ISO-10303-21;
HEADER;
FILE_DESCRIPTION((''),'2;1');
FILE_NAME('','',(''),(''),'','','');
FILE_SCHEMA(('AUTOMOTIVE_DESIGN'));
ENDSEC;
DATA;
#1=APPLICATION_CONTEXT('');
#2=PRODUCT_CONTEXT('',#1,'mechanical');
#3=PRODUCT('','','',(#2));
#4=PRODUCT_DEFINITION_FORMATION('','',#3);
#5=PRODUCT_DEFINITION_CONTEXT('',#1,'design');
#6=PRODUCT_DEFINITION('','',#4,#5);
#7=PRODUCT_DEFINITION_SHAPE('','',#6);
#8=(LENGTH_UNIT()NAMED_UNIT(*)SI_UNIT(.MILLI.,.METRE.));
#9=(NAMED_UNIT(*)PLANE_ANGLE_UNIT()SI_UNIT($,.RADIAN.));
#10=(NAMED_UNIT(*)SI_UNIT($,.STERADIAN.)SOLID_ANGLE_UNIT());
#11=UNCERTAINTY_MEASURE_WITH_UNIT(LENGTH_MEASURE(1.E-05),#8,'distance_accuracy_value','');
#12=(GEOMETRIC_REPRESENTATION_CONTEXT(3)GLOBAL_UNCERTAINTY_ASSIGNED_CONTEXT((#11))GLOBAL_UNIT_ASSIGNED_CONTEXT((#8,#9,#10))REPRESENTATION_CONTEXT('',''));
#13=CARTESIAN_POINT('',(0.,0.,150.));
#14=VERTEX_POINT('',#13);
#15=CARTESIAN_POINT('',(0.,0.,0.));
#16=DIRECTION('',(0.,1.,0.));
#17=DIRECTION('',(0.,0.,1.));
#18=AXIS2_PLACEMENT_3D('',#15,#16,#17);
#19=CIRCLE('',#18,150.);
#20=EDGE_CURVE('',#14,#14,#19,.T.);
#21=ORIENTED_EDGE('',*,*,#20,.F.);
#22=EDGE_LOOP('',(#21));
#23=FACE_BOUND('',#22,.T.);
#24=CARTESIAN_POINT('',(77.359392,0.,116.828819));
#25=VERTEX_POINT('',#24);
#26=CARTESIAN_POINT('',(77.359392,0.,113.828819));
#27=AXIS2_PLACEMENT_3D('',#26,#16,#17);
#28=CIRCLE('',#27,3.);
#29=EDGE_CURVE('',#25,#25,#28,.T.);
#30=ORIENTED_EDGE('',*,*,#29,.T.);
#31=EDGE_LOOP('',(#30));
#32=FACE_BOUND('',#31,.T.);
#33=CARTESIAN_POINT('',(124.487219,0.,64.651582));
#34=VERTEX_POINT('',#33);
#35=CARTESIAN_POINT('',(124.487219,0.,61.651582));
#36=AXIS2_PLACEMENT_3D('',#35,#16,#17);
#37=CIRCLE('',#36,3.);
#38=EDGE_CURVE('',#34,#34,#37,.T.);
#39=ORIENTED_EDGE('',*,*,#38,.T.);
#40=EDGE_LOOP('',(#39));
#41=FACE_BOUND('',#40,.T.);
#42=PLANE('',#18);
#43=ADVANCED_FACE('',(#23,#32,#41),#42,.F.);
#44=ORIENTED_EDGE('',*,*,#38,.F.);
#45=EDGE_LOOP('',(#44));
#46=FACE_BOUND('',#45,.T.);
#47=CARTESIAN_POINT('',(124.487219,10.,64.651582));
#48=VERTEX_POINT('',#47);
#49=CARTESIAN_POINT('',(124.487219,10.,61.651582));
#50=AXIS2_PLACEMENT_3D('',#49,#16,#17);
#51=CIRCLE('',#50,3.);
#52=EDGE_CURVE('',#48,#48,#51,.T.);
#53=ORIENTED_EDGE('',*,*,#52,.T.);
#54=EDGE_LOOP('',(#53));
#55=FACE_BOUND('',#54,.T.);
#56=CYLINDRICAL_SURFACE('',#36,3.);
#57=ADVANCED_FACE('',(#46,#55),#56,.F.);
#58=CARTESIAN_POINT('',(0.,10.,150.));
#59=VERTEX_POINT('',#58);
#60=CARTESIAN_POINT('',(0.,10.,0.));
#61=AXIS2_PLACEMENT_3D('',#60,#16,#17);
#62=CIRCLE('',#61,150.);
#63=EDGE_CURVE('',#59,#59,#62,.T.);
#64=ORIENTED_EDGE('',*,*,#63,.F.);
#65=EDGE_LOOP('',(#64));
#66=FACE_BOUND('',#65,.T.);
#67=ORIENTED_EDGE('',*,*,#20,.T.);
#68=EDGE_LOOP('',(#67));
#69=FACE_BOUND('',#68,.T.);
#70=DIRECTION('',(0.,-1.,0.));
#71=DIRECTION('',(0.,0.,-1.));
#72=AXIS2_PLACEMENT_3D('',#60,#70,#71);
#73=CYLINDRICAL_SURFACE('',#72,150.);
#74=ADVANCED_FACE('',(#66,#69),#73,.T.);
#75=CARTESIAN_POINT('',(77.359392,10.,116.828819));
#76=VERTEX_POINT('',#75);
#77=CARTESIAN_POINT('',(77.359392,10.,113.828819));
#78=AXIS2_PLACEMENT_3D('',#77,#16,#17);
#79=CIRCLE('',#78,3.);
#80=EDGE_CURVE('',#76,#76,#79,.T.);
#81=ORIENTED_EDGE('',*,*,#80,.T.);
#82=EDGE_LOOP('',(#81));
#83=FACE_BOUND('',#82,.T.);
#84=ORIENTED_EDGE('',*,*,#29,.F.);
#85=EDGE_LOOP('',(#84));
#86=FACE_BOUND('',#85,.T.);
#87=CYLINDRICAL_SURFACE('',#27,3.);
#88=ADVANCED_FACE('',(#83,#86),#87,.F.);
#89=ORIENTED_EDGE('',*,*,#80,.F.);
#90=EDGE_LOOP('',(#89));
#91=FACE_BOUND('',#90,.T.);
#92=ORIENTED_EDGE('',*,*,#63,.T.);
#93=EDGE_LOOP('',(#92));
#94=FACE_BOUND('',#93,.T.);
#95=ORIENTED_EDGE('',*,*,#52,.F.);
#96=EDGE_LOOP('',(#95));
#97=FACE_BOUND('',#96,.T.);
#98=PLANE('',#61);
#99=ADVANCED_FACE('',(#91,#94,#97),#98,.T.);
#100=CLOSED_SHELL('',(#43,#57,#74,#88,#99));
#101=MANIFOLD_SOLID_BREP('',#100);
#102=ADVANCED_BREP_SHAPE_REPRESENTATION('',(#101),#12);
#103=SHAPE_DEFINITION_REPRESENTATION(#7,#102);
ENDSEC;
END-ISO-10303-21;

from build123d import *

# Parameters (mm, degrees)
SKETCH1_R           = 150
BOSS_EXTRUDE1_DEPTH = 10
SKETCH5_R           = 3
CUT_EXTRUDE1_DEPTH  = 213.367605816


with BuildPart() as part:
    # Sketch1 → Boss-Extrude1 (new body)
    with BuildSketch(Plane(origin=(0, 0, 0), x_dir=(1, 0, 0), z_dir=(0, 1, 0))):
        with Locations(Location((0, 0, 0), (0, 0, 270))):
            Circle(SKETCH1_R)
    extrude(amount=BOSS_EXTRUDE1_DEPTH)

    # Sketch5 → Cut-Extrude1 (cut, through all)
    with BuildSketch(Plane(origin=(0, 10, 0), x_dir=(1, 0, 0), z_dir=(0, 1, 0))):
        with Locations(Location((77.359391723, -113.82881925, 0), (0, 0, 270))):
            Circle(SKETCH5_R)
        with Locations(Location((124.487218521, -61.651582438, 0), (0, 0, 270))):
            Circle(SKETCH5_R)
    extrude(amount=-CUT_EXTRUDE1_DEPTH, mode=Mode.SUBTRACT)


solid = part.part
